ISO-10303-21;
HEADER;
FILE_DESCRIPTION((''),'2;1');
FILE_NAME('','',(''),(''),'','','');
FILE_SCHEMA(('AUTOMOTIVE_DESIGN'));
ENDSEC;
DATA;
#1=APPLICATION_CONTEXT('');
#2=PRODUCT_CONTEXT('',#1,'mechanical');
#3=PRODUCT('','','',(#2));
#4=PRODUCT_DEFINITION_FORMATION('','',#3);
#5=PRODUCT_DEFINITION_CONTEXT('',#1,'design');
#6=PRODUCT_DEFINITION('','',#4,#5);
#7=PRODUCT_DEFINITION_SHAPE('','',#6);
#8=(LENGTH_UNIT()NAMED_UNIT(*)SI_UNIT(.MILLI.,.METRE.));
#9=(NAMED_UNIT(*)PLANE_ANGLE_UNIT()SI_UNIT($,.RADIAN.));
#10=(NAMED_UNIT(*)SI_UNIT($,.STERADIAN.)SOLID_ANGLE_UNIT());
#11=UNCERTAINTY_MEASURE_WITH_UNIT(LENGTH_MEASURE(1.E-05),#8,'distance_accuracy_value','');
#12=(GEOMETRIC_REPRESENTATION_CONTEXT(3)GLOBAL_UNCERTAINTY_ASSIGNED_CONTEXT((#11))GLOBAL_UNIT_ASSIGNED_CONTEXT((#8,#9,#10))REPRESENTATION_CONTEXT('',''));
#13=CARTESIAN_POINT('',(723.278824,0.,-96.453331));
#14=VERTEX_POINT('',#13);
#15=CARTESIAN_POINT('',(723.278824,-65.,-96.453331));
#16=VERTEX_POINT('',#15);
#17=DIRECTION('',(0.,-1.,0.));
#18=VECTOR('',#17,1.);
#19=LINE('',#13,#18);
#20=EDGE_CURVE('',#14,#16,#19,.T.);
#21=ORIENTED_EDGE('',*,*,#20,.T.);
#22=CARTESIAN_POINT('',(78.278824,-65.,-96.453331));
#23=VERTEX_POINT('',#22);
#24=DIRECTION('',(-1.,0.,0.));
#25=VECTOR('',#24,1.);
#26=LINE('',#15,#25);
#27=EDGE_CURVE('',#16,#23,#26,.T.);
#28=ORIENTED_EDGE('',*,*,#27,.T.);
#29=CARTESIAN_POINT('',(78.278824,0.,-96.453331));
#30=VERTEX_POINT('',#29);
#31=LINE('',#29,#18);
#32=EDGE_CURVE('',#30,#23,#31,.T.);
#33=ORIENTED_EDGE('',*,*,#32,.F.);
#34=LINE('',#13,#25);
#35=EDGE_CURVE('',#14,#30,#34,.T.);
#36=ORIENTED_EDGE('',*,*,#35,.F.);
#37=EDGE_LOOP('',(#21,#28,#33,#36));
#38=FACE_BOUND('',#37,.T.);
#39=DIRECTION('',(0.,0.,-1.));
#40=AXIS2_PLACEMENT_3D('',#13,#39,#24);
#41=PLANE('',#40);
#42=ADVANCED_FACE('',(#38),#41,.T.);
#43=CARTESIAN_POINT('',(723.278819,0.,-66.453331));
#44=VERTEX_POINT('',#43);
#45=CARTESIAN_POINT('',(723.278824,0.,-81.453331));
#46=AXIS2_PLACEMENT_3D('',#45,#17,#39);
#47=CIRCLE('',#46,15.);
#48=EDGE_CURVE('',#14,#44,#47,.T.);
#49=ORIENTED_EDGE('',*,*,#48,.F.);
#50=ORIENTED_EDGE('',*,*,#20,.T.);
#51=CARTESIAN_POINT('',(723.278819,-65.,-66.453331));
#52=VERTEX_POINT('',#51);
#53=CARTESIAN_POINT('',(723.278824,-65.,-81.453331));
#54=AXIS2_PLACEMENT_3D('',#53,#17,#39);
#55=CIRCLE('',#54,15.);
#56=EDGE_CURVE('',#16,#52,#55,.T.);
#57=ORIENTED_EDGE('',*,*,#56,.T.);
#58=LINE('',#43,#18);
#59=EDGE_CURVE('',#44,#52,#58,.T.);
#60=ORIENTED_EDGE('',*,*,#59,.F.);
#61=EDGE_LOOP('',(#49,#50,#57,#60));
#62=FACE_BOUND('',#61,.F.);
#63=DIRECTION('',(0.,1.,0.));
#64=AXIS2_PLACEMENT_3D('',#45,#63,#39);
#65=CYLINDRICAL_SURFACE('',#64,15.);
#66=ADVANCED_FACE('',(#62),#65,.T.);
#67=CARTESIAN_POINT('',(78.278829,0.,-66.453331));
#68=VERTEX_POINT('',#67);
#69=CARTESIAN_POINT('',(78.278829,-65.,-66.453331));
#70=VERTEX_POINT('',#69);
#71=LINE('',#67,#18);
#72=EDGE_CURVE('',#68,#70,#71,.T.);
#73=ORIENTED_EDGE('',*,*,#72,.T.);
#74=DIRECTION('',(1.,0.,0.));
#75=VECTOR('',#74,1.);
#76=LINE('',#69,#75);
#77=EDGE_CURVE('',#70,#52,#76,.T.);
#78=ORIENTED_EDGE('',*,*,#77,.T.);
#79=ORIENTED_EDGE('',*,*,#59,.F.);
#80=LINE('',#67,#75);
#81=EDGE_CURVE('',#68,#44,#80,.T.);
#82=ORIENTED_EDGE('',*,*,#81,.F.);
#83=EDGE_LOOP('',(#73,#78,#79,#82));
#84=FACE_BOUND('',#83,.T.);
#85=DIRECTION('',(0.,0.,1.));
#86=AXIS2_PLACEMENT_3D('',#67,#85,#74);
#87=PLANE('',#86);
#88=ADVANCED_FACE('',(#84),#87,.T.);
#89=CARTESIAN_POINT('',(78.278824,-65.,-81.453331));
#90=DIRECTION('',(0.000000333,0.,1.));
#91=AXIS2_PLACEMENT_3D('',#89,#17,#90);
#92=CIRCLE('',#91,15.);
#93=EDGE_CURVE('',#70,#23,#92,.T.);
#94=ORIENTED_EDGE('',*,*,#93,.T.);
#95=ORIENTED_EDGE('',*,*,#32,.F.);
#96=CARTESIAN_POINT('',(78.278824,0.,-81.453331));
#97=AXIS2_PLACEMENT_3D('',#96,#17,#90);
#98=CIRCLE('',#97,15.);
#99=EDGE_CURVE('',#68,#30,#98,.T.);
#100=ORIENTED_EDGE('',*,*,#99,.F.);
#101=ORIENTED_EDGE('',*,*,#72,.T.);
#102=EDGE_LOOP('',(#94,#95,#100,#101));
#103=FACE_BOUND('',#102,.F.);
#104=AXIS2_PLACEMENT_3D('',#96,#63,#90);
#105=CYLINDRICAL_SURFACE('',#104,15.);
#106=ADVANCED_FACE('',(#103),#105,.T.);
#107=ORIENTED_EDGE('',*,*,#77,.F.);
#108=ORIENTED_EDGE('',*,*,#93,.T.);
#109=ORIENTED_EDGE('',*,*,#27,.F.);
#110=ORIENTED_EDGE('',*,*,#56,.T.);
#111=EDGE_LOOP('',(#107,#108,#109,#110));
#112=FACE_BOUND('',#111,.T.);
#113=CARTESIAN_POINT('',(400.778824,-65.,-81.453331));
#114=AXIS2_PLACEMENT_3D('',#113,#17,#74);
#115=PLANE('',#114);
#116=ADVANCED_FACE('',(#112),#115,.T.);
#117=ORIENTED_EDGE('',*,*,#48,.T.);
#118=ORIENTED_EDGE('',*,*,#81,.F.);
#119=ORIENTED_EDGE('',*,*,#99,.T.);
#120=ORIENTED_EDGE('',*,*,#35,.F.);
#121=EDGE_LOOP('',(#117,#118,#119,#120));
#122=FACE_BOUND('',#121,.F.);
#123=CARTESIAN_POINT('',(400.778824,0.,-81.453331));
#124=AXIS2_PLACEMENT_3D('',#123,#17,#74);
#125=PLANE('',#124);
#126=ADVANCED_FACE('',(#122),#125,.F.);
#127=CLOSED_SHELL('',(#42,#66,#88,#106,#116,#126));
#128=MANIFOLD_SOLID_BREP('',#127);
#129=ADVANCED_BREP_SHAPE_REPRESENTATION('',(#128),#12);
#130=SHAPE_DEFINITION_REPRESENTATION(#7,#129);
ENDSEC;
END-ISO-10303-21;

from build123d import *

# Parameters (mm, degrees)
PAD_DEPTH = 65


with BuildPart() as part:
    # Sketch → Pad (new body)
    with BuildSketch(Plane.XZ):
        with BuildLine():
            ThreePointArc((723.278824, -96.453331), (738.278824, -81.453328), (723.278819, -66.453331))
            Line((78.278829, -66.453331), (723.278819, -66.453331))
            ThreePointArc((78.278829, -66.453331), (63.278824, -81.453329), (78.278824, -96.453331))
            Line((723.278824, -96.453331), (78.278824, -96.453331))
        make_face()
    extrude(amount=PAD_DEPTH)


solid = part.part
